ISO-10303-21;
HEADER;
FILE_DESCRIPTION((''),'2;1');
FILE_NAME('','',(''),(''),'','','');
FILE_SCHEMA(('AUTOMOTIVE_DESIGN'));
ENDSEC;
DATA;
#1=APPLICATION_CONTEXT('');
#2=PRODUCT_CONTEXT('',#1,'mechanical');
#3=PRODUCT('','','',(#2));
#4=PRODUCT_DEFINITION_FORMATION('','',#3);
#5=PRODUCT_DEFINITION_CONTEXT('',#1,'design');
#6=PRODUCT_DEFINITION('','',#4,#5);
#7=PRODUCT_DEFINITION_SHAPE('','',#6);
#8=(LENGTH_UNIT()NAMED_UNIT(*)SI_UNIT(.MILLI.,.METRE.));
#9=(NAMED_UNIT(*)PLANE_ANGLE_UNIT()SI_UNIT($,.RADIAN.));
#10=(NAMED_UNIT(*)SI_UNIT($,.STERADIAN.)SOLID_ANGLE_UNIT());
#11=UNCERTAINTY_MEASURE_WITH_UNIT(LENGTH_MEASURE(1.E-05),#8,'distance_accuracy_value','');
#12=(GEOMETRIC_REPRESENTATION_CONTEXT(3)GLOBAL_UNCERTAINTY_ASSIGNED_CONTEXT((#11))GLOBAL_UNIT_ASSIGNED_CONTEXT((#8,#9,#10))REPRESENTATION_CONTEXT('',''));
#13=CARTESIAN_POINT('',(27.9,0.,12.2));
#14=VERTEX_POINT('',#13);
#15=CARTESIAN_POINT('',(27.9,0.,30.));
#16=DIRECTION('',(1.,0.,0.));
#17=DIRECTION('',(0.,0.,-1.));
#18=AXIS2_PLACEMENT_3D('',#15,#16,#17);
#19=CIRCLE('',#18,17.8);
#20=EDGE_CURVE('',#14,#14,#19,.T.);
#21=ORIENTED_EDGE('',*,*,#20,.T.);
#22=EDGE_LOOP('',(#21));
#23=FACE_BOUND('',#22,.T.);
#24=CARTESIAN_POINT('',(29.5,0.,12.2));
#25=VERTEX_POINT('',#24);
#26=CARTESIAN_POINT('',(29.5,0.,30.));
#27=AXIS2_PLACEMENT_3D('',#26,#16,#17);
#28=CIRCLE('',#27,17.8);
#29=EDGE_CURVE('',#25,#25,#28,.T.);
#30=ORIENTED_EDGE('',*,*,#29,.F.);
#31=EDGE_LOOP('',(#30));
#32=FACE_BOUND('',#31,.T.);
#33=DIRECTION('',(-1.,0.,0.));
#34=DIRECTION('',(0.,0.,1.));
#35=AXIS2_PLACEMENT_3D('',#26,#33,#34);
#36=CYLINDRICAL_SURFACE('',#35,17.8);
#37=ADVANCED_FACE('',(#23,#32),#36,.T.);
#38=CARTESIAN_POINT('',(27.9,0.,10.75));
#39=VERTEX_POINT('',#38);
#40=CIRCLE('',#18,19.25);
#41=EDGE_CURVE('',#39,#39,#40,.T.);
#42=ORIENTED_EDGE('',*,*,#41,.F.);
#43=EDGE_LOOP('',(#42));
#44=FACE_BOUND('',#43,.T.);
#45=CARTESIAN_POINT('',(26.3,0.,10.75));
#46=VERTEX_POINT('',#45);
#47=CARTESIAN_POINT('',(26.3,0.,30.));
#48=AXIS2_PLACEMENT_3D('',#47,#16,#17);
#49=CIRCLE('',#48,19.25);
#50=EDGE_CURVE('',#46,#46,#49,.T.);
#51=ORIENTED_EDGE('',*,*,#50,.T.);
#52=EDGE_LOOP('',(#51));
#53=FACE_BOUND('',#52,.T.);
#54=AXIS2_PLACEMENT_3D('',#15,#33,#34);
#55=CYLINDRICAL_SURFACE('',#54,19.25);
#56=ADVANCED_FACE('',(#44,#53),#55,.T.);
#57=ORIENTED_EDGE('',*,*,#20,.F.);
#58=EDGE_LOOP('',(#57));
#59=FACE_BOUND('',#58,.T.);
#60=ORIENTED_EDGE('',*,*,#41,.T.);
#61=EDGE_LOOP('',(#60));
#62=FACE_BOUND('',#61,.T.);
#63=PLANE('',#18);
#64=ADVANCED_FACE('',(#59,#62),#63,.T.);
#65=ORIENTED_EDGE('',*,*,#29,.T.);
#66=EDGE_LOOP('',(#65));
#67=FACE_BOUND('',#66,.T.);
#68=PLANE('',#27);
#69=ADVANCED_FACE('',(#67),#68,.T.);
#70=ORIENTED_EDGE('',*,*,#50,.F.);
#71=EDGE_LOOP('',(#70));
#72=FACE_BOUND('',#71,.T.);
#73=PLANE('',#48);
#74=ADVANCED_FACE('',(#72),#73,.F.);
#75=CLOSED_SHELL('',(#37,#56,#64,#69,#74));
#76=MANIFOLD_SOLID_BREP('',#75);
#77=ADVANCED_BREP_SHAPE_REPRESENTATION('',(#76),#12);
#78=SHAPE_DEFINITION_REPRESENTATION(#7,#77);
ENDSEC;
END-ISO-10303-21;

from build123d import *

# Parameters (mm, degrees)
S_CYL1_R     = 19.25
BOSS_1_DEPTH = 1.6
S_CYL2_R     = 17.8
BOSS_2_DEPTH = 1.6


with BuildPart() as part:
    # S_cyl1 → Boss_1 (new body)
    with BuildSketch(Plane(origin=(26.3, 0, 0), x_dir=(0, 0, -1), z_dir=(1, 0, 0))):
        with Locations((-30, 0)):
            Circle(S_CYL1_R)
    extrude(amount=BOSS_1_DEPTH)

    # S_cyl2 → Boss_2 (add)
    with BuildSketch(Plane(origin=(27.9, 0, 0), x_dir=(0, 0, -1), z_dir=(1, 0, 0))):
        with Locations((-30, 0)):
            Circle(S_CYL2_R)
    extrude(amount=BOSS_2_DEPTH)


solid = part.part
